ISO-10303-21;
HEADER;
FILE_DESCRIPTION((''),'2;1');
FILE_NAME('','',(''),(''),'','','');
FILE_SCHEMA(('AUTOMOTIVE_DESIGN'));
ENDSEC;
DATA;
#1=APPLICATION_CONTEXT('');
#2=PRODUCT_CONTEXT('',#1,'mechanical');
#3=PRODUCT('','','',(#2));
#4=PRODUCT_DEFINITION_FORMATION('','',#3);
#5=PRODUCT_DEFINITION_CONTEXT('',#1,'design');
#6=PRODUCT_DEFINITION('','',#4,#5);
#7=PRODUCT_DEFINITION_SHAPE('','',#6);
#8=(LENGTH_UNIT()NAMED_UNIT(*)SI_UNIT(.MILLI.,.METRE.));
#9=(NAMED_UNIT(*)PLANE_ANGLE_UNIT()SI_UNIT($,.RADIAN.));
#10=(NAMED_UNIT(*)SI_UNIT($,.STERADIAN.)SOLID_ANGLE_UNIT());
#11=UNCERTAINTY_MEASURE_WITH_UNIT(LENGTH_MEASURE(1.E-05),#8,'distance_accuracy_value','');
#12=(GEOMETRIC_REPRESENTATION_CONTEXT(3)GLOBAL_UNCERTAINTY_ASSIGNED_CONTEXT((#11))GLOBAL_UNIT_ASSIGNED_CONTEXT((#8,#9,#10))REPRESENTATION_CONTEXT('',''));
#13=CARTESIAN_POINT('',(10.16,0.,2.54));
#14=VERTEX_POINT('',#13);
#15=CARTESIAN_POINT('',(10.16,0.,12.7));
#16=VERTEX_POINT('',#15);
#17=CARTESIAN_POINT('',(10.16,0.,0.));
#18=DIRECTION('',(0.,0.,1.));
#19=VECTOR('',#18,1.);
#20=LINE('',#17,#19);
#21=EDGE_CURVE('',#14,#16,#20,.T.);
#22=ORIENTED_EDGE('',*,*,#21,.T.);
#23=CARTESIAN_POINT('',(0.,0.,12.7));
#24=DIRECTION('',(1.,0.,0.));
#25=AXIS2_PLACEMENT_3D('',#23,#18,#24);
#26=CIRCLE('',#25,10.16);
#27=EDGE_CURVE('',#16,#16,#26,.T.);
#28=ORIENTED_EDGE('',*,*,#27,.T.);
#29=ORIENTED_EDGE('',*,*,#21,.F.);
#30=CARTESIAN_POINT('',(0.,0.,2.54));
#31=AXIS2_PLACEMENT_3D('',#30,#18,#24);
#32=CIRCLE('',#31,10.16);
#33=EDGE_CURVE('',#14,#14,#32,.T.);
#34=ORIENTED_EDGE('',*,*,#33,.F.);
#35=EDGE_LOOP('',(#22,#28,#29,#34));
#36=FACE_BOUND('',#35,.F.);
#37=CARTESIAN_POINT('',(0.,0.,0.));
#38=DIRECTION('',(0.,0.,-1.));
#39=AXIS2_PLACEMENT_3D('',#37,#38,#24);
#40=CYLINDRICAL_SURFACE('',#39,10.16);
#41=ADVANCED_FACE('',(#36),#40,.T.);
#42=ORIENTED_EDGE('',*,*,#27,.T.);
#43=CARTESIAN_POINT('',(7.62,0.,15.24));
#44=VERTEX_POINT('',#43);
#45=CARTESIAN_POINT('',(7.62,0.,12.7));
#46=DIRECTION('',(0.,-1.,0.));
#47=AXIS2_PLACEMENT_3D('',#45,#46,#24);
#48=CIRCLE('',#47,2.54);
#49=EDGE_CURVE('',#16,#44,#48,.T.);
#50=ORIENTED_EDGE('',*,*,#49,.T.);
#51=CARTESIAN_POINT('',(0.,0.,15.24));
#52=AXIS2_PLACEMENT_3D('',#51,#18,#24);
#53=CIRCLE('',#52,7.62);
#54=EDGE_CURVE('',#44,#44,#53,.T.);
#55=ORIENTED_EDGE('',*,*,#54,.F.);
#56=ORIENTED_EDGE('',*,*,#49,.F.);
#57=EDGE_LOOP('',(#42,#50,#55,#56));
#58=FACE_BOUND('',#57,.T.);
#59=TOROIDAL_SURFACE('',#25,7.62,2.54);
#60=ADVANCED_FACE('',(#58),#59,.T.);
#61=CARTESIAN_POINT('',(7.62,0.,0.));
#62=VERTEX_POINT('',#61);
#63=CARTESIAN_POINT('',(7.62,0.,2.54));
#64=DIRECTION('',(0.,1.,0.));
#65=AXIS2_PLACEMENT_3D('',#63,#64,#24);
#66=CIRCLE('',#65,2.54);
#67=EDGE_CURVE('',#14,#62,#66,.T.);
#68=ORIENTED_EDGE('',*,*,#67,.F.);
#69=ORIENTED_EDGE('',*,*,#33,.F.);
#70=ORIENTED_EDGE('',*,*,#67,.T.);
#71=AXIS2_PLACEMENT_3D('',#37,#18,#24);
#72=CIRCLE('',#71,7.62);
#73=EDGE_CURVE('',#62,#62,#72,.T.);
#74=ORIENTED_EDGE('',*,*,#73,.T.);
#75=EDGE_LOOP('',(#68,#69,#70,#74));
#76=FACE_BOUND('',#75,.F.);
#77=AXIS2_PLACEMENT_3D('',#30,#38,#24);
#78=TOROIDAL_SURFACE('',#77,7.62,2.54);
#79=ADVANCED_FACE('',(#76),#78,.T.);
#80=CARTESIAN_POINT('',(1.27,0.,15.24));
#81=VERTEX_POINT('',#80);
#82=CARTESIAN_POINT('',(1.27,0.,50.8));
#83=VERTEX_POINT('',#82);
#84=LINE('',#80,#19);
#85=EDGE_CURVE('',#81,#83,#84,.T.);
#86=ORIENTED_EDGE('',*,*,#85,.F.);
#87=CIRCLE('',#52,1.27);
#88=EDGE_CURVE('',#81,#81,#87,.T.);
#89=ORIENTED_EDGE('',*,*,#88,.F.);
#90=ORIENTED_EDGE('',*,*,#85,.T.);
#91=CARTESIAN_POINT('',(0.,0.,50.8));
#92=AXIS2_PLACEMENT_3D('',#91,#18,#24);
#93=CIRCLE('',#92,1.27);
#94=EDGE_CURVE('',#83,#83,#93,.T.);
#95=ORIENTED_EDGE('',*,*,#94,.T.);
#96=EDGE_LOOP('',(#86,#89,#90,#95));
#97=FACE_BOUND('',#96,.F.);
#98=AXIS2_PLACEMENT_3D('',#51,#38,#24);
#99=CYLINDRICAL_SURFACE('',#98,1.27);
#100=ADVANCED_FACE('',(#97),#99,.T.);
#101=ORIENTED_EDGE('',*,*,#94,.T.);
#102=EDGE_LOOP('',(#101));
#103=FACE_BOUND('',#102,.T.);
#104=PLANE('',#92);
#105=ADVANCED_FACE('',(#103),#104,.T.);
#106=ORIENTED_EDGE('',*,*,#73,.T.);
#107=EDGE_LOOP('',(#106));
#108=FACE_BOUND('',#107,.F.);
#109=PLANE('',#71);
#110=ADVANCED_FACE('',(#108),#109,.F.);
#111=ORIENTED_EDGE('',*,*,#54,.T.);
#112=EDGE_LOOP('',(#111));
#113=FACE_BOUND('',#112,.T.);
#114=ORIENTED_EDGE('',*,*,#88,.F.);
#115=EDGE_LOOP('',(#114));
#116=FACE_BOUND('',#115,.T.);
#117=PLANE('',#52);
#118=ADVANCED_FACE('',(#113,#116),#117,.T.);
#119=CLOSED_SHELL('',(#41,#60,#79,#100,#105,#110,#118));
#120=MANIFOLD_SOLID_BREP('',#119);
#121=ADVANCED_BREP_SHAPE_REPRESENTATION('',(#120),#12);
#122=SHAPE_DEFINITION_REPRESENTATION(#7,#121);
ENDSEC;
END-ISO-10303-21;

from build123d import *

# Parameters (mm, degrees)
F0_R     = 10.16
F1_DEPTH = 15.24
F2_R     = 2.54
F3_R     = 1.27
F4_DEPTH = 35.56


with BuildPart() as f1:
    # F0 (on Top) → F1 (new body)
    with BuildSketch(Plane.XY):
        Circle(F0_R)
    extrude(amount=F1_DEPTH)

    # F2
    f2_edges = [f1.edges().sort_by_distance(p)[0] for p in [
        (-10.16, 0, 15.24),
        (-10.16, 0, 0),
    ]]
    fillet(f2_edges, radius=F2_R)

    # F3 (on face) → F4 (join)
    with BuildSketch(Plane.XY.offset(15.24)):
        Circle(F3_R)
    extrude(amount=F4_DEPTH)


solid = f1.part
